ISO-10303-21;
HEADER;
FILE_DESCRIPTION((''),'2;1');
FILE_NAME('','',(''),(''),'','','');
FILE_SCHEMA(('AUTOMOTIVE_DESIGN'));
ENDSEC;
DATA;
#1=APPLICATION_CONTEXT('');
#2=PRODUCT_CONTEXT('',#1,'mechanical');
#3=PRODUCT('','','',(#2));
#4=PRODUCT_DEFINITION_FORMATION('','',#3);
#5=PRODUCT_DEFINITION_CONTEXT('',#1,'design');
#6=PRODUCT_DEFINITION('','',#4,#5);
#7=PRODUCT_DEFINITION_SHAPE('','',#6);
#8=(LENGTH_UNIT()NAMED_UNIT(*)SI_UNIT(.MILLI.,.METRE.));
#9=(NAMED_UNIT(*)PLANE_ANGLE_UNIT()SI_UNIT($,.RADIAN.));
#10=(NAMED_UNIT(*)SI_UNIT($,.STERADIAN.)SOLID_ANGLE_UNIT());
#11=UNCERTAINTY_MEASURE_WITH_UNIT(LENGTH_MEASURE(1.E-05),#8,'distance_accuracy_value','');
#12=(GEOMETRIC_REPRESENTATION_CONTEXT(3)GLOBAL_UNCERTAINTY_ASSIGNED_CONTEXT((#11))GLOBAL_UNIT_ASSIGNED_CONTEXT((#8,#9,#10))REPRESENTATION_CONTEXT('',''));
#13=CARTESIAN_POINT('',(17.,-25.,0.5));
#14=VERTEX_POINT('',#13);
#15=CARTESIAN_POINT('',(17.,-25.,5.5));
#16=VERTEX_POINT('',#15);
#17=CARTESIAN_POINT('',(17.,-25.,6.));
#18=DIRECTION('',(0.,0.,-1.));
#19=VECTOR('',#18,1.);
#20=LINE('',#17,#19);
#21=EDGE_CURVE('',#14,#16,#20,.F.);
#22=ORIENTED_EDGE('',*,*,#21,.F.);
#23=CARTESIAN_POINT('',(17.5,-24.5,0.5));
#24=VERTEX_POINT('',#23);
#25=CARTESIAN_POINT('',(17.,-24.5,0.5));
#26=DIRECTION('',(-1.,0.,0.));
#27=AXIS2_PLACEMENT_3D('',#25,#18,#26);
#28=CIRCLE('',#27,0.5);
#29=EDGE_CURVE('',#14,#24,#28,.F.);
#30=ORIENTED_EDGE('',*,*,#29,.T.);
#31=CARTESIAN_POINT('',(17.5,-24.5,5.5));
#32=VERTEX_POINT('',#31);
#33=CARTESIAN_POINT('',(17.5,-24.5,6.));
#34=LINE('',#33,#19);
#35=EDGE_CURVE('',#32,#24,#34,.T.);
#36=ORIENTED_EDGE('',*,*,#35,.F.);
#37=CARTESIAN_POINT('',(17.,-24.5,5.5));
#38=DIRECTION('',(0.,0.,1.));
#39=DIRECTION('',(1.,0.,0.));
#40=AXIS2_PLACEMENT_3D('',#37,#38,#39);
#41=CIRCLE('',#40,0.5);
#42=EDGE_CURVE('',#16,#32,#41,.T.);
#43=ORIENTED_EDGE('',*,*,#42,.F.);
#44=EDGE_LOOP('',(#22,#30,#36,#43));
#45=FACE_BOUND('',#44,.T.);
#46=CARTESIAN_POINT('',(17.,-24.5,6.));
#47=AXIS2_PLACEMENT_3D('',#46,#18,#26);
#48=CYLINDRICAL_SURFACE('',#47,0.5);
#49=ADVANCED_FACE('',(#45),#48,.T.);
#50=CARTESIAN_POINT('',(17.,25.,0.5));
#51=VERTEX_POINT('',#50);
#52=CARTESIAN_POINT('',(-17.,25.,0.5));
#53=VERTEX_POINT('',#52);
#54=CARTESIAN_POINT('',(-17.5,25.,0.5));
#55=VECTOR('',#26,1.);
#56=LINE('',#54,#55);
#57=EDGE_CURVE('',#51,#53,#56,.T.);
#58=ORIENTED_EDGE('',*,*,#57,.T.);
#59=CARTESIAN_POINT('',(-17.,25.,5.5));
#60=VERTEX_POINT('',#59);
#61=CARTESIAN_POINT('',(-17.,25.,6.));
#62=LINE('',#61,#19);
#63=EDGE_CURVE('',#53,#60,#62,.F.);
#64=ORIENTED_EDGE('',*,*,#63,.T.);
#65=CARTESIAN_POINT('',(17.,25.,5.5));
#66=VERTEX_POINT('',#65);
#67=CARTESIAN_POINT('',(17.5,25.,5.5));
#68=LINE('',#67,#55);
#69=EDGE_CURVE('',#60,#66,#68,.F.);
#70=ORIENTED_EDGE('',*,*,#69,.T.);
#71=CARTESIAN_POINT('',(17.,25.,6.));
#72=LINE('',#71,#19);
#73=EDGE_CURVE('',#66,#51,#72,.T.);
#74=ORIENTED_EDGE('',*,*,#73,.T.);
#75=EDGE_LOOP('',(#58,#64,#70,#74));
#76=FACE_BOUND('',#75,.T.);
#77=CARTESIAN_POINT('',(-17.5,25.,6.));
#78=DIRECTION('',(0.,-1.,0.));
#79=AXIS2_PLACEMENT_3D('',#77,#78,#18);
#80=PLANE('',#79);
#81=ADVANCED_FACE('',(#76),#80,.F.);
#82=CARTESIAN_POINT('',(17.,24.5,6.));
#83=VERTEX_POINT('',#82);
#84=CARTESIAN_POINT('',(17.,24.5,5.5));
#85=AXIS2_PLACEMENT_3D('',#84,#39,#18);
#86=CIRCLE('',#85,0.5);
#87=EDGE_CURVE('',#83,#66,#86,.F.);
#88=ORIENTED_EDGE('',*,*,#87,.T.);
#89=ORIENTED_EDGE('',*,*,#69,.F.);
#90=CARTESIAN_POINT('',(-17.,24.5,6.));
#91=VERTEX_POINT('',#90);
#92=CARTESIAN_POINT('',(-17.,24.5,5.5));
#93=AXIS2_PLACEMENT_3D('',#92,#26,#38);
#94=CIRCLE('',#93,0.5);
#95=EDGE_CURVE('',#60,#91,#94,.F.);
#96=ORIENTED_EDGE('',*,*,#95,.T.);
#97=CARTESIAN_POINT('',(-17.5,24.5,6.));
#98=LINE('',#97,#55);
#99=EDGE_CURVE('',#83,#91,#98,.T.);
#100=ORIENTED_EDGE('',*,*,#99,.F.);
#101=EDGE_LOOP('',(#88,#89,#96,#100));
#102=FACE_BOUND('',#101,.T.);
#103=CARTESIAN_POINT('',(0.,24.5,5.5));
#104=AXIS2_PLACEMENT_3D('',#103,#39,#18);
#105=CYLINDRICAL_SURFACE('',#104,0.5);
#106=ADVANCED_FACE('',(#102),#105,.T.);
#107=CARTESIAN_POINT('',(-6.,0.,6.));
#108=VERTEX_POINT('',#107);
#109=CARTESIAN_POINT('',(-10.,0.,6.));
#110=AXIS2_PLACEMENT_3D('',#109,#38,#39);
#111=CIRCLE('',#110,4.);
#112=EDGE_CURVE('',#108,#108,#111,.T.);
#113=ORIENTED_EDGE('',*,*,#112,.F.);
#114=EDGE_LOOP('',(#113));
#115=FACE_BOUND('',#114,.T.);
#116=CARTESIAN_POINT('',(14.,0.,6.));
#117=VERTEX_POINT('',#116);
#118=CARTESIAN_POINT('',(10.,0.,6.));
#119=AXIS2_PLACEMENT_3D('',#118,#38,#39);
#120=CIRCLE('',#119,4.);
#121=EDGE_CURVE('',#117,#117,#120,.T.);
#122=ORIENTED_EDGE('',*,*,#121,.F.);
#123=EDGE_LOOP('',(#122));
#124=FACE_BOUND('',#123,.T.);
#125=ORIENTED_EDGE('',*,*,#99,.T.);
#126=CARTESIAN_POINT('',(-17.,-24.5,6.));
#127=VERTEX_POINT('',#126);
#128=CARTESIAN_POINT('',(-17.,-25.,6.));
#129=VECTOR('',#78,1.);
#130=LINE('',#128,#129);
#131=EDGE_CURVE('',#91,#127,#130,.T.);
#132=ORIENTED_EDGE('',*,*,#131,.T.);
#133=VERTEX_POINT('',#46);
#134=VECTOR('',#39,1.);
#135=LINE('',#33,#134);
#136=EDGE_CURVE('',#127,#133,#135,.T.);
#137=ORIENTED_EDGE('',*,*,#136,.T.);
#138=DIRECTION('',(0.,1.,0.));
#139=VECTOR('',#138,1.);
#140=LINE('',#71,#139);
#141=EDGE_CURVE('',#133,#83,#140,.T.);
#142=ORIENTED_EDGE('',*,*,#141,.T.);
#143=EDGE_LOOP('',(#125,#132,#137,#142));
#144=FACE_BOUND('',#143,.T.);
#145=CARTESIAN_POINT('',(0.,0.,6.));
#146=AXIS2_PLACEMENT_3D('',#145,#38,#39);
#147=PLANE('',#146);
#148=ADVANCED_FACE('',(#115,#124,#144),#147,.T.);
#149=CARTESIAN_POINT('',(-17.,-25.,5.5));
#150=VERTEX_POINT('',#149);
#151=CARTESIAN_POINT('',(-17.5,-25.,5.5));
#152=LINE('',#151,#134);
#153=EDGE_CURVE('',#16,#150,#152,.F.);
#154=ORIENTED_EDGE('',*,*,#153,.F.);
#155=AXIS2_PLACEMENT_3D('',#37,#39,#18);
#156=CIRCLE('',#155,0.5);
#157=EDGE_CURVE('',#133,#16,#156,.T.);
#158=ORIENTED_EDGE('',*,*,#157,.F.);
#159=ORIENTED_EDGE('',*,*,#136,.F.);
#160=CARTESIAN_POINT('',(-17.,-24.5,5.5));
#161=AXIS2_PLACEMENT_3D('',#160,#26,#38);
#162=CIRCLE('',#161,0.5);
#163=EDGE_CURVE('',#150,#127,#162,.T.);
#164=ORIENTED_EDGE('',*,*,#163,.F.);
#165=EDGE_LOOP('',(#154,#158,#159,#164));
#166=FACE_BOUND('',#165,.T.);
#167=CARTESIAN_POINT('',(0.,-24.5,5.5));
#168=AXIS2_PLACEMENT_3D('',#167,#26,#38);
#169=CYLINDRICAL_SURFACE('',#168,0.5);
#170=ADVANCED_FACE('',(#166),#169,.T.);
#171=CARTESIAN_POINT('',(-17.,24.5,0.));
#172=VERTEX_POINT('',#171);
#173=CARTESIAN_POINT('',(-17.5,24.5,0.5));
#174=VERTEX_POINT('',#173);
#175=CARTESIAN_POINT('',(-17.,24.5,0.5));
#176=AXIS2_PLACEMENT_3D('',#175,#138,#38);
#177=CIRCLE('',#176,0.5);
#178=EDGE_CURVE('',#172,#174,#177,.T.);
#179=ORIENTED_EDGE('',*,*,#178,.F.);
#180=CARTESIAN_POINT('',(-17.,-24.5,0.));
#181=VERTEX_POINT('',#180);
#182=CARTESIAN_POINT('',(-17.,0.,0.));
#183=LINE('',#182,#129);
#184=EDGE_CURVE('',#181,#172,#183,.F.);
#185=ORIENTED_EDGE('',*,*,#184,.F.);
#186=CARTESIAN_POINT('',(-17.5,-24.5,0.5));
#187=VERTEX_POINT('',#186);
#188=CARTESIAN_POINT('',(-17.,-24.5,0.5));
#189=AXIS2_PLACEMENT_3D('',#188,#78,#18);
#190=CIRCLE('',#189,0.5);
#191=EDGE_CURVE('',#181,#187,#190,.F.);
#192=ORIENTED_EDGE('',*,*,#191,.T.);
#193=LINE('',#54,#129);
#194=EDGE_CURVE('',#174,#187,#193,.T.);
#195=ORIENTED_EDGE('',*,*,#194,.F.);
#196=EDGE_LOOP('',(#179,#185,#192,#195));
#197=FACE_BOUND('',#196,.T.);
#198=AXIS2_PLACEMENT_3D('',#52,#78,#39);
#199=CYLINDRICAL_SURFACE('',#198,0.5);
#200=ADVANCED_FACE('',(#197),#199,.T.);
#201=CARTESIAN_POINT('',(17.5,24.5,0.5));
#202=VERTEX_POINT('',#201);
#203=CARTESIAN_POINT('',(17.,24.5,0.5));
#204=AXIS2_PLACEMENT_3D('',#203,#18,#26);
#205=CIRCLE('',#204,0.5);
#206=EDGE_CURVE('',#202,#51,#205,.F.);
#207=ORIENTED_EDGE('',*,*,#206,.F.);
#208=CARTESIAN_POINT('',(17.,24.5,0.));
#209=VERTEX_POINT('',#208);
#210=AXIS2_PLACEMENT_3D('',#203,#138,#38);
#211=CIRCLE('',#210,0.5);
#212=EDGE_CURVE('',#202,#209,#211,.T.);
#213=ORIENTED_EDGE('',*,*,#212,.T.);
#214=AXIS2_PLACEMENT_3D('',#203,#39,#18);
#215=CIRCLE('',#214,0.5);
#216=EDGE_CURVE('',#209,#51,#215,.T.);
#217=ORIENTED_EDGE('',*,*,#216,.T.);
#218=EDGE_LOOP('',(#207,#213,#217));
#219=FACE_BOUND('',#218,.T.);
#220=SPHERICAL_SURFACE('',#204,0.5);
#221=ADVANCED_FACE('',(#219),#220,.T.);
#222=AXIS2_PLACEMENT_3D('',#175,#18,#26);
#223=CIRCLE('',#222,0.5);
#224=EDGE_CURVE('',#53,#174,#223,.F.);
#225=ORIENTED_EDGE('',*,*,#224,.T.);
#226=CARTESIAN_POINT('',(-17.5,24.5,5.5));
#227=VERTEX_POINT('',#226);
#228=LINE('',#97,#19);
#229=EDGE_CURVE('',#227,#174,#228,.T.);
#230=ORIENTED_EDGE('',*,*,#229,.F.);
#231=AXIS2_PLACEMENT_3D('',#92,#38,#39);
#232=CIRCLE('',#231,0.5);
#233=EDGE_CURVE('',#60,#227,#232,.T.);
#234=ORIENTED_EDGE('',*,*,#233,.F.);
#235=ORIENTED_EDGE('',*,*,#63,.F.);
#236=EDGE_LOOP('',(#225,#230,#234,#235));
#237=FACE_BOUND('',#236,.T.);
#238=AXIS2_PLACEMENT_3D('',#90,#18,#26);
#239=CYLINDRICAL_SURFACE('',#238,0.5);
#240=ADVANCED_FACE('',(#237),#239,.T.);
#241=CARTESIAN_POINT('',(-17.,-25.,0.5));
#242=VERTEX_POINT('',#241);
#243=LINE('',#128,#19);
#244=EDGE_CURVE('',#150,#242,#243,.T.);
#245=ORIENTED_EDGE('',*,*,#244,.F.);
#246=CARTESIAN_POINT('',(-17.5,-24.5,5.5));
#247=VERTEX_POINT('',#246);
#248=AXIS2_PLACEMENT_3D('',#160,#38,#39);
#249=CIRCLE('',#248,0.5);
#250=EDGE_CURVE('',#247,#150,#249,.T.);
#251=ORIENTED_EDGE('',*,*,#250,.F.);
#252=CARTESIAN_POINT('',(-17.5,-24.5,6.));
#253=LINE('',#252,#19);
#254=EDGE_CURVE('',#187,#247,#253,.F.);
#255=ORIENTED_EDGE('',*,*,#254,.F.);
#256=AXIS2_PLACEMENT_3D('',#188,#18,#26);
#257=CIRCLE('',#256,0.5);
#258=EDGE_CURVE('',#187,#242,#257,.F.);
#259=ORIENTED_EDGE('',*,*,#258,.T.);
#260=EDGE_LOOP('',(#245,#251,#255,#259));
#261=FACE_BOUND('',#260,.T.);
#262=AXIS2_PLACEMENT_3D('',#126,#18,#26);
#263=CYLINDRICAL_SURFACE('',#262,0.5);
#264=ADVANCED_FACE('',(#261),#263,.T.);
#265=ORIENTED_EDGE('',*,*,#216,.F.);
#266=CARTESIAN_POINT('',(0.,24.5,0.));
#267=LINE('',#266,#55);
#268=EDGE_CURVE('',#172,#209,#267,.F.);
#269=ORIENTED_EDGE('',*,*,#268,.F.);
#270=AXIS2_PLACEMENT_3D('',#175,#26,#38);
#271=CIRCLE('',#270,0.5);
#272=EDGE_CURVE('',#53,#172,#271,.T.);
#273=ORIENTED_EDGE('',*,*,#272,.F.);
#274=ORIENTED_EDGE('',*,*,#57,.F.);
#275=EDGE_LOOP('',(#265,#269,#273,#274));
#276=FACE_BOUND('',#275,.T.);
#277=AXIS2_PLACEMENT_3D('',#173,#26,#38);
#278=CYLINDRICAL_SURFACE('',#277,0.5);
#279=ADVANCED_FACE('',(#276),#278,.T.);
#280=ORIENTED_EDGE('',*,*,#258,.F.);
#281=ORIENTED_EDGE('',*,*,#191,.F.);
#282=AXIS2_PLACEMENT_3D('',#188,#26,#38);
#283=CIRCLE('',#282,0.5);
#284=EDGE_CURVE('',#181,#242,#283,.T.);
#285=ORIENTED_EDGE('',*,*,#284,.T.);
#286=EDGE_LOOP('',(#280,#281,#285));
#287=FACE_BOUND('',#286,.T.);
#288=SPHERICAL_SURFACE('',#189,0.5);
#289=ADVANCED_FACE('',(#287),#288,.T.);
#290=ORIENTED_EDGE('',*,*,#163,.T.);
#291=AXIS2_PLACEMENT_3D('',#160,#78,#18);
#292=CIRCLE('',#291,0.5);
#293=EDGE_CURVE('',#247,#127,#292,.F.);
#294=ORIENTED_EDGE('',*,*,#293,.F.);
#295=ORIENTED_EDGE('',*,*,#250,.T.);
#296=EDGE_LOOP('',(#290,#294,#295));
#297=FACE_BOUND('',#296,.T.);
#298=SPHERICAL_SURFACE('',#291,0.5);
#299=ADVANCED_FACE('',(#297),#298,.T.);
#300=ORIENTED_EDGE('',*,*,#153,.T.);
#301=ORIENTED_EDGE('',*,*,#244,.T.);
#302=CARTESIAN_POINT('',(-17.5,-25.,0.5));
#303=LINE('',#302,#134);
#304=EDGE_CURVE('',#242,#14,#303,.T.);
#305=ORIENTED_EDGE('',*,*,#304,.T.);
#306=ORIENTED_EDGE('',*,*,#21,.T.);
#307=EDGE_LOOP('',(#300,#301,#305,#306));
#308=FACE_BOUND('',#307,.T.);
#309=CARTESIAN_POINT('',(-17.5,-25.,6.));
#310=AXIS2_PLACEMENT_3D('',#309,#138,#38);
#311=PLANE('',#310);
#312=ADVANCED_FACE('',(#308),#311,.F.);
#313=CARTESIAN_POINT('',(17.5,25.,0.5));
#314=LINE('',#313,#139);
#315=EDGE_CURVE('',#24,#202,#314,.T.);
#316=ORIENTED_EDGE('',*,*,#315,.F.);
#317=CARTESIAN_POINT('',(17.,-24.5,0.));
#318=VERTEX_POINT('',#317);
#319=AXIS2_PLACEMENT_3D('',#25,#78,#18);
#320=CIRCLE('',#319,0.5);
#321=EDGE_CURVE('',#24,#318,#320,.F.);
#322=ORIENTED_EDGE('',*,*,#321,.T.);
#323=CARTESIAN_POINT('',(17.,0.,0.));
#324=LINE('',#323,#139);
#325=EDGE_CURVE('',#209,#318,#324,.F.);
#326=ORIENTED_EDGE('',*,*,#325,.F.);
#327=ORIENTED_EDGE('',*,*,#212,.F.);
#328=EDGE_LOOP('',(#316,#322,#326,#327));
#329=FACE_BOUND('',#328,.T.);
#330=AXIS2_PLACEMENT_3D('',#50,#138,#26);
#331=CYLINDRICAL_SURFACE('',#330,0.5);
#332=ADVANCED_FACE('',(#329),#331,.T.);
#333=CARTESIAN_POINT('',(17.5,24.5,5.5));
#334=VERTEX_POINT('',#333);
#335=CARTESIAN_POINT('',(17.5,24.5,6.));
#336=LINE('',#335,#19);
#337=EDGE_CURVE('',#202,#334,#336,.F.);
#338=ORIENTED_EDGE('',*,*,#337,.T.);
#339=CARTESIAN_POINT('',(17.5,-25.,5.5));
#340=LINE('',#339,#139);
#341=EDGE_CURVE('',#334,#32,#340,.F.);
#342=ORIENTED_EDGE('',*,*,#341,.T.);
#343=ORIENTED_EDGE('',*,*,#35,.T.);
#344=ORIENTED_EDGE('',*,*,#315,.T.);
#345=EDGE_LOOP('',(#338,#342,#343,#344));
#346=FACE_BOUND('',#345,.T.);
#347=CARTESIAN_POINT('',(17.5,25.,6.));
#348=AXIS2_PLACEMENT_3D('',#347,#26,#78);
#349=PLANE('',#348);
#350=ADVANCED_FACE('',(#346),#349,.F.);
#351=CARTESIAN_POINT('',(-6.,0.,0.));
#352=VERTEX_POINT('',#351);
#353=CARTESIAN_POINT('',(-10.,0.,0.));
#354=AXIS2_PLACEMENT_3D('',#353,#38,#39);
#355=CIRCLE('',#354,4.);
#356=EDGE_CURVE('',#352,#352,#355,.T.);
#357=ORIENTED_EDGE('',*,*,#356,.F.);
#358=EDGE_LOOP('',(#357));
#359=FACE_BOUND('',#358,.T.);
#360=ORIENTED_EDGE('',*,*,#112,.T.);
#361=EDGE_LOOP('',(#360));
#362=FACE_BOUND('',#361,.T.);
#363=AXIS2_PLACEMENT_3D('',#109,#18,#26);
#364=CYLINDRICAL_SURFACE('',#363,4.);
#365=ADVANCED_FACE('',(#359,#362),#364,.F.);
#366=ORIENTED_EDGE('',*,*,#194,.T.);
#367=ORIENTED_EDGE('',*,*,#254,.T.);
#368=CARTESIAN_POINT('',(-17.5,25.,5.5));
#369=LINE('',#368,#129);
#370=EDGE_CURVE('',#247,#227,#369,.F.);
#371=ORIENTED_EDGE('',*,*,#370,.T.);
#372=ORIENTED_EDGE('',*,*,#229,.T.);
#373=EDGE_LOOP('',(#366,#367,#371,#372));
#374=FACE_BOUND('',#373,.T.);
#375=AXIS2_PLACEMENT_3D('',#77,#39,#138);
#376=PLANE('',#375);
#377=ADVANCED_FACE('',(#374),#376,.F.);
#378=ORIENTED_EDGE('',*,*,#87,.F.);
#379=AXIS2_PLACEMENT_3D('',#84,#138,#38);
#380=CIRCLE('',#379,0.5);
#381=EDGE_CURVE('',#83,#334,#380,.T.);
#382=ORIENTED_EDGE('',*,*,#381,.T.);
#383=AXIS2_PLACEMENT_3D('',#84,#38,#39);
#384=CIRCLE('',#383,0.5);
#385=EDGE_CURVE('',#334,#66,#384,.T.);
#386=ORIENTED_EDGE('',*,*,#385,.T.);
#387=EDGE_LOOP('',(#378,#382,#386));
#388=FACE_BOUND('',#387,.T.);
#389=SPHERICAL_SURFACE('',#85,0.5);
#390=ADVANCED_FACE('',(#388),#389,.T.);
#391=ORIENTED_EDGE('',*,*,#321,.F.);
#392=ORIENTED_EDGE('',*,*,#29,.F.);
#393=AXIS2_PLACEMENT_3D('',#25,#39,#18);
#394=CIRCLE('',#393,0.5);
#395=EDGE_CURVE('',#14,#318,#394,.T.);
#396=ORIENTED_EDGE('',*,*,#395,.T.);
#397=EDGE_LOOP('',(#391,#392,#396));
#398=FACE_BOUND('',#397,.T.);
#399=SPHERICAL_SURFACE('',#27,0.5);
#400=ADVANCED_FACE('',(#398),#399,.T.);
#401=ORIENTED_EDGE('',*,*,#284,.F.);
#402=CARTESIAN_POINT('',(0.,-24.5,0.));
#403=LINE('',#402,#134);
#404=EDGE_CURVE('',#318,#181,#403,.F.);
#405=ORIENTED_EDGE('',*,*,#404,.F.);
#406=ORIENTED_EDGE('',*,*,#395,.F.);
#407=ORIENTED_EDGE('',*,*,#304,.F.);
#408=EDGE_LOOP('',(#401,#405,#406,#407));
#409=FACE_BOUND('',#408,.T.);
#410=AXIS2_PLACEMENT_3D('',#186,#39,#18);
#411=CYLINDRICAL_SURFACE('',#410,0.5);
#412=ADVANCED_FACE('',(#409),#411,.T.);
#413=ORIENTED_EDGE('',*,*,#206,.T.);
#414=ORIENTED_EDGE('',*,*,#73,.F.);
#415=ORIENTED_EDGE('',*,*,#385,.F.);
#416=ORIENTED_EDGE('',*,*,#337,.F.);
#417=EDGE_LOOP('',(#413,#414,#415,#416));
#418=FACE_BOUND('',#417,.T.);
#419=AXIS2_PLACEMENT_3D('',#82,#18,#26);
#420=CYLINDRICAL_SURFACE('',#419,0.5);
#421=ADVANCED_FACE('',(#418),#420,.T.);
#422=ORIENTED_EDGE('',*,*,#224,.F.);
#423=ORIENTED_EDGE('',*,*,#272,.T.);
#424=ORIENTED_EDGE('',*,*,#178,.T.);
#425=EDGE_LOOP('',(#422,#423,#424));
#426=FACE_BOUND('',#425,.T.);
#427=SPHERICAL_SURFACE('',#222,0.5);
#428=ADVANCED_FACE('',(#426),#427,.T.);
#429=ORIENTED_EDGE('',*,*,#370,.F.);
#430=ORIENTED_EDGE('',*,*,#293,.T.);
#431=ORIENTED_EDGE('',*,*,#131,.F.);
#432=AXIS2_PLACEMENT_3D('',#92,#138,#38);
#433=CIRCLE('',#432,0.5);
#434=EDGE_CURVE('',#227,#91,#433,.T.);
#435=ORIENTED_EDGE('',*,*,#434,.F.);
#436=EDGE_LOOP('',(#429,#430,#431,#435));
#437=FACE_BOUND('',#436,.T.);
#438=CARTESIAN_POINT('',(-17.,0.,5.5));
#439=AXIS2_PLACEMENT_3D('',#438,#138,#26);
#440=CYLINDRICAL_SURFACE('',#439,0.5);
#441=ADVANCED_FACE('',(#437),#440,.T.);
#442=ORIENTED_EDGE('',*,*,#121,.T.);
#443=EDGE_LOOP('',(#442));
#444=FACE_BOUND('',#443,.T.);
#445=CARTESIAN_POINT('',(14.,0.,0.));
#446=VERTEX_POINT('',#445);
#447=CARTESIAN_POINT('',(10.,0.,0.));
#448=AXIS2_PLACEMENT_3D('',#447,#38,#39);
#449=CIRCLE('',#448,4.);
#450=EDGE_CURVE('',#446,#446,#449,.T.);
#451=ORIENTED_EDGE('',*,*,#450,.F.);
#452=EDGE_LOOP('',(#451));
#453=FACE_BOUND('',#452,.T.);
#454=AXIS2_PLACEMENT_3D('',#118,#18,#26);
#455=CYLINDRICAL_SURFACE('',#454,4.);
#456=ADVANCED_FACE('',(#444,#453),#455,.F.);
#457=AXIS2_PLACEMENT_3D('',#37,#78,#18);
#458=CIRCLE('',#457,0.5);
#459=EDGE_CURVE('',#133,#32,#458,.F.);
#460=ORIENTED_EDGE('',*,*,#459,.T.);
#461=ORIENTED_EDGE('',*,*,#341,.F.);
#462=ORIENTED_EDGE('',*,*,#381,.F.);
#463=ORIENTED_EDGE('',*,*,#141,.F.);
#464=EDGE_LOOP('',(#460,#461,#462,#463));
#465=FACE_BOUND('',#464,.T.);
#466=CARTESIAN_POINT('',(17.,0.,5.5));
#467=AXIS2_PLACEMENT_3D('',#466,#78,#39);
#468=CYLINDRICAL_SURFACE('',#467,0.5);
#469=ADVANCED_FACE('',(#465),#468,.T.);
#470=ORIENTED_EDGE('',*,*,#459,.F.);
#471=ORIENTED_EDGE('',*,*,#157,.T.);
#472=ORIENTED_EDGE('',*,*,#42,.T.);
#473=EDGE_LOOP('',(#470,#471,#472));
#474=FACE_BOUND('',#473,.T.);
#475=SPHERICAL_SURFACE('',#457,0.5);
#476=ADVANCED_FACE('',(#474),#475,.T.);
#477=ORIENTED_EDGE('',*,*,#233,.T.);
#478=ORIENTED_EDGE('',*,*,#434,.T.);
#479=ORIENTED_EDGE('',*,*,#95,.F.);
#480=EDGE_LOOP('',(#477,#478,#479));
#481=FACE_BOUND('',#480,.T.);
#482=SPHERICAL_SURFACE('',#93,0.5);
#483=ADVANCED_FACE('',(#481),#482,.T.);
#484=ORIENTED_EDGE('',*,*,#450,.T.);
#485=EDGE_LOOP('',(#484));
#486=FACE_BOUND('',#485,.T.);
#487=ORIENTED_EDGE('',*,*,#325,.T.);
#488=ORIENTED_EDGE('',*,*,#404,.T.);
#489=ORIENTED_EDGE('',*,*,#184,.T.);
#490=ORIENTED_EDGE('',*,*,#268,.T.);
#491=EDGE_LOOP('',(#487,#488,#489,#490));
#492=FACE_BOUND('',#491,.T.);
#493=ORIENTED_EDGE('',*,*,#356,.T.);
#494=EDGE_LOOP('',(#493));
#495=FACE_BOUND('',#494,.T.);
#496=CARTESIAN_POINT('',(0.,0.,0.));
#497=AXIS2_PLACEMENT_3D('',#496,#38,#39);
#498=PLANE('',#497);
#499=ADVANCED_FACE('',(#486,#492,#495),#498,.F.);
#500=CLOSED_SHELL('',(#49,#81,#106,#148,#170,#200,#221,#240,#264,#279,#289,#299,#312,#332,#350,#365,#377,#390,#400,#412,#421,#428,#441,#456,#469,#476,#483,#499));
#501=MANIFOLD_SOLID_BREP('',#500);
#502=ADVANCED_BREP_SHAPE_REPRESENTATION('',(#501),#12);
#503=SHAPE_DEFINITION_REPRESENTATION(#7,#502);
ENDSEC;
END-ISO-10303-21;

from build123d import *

# Parameters (mm, degrees)
SKETCH1_W           = 35
SKETCH1_H           = 50
SKETCH1_R           = 4
BOSS_EXTRUDE1_DEPTH = 6
FILLET1_R           = 0.5


with BuildPart() as part:
    # Sketch1 → Boss-Extrude1 (new body)
    with BuildSketch(Plane.XY):
        Rectangle(SKETCH1_W, SKETCH1_H)
        with Locations((-10, 0)):
            Circle(SKETCH1_R, mode=Mode.SUBTRACT)
        with Locations((10, 0)):
            Circle(SKETCH1_R, mode=Mode.SUBTRACT)
    extrude(amount=BOSS_EXTRUDE1_DEPTH)

    # Fillet1
    fillet1_edges = [part.edges().sort_by_distance(p)[0] for p in [
        (-17.5, 0, 6),
        (0, -25, 6),
        (17.5, 0, 6),
        (0, -25, 0),
        (-17.5, 0, 0),
        (0, 25, 0),
        (17.5, 0, 0),
        (17.5, -25, 3),
        (-17.5, -25, 3),
        (-17.5, 25, 3),
        (17.5, 25, 3),
        (0, 25, 6),
    ]]
    fillet(fillet1_edges, radius=FILLET1_R)


solid = part.part
